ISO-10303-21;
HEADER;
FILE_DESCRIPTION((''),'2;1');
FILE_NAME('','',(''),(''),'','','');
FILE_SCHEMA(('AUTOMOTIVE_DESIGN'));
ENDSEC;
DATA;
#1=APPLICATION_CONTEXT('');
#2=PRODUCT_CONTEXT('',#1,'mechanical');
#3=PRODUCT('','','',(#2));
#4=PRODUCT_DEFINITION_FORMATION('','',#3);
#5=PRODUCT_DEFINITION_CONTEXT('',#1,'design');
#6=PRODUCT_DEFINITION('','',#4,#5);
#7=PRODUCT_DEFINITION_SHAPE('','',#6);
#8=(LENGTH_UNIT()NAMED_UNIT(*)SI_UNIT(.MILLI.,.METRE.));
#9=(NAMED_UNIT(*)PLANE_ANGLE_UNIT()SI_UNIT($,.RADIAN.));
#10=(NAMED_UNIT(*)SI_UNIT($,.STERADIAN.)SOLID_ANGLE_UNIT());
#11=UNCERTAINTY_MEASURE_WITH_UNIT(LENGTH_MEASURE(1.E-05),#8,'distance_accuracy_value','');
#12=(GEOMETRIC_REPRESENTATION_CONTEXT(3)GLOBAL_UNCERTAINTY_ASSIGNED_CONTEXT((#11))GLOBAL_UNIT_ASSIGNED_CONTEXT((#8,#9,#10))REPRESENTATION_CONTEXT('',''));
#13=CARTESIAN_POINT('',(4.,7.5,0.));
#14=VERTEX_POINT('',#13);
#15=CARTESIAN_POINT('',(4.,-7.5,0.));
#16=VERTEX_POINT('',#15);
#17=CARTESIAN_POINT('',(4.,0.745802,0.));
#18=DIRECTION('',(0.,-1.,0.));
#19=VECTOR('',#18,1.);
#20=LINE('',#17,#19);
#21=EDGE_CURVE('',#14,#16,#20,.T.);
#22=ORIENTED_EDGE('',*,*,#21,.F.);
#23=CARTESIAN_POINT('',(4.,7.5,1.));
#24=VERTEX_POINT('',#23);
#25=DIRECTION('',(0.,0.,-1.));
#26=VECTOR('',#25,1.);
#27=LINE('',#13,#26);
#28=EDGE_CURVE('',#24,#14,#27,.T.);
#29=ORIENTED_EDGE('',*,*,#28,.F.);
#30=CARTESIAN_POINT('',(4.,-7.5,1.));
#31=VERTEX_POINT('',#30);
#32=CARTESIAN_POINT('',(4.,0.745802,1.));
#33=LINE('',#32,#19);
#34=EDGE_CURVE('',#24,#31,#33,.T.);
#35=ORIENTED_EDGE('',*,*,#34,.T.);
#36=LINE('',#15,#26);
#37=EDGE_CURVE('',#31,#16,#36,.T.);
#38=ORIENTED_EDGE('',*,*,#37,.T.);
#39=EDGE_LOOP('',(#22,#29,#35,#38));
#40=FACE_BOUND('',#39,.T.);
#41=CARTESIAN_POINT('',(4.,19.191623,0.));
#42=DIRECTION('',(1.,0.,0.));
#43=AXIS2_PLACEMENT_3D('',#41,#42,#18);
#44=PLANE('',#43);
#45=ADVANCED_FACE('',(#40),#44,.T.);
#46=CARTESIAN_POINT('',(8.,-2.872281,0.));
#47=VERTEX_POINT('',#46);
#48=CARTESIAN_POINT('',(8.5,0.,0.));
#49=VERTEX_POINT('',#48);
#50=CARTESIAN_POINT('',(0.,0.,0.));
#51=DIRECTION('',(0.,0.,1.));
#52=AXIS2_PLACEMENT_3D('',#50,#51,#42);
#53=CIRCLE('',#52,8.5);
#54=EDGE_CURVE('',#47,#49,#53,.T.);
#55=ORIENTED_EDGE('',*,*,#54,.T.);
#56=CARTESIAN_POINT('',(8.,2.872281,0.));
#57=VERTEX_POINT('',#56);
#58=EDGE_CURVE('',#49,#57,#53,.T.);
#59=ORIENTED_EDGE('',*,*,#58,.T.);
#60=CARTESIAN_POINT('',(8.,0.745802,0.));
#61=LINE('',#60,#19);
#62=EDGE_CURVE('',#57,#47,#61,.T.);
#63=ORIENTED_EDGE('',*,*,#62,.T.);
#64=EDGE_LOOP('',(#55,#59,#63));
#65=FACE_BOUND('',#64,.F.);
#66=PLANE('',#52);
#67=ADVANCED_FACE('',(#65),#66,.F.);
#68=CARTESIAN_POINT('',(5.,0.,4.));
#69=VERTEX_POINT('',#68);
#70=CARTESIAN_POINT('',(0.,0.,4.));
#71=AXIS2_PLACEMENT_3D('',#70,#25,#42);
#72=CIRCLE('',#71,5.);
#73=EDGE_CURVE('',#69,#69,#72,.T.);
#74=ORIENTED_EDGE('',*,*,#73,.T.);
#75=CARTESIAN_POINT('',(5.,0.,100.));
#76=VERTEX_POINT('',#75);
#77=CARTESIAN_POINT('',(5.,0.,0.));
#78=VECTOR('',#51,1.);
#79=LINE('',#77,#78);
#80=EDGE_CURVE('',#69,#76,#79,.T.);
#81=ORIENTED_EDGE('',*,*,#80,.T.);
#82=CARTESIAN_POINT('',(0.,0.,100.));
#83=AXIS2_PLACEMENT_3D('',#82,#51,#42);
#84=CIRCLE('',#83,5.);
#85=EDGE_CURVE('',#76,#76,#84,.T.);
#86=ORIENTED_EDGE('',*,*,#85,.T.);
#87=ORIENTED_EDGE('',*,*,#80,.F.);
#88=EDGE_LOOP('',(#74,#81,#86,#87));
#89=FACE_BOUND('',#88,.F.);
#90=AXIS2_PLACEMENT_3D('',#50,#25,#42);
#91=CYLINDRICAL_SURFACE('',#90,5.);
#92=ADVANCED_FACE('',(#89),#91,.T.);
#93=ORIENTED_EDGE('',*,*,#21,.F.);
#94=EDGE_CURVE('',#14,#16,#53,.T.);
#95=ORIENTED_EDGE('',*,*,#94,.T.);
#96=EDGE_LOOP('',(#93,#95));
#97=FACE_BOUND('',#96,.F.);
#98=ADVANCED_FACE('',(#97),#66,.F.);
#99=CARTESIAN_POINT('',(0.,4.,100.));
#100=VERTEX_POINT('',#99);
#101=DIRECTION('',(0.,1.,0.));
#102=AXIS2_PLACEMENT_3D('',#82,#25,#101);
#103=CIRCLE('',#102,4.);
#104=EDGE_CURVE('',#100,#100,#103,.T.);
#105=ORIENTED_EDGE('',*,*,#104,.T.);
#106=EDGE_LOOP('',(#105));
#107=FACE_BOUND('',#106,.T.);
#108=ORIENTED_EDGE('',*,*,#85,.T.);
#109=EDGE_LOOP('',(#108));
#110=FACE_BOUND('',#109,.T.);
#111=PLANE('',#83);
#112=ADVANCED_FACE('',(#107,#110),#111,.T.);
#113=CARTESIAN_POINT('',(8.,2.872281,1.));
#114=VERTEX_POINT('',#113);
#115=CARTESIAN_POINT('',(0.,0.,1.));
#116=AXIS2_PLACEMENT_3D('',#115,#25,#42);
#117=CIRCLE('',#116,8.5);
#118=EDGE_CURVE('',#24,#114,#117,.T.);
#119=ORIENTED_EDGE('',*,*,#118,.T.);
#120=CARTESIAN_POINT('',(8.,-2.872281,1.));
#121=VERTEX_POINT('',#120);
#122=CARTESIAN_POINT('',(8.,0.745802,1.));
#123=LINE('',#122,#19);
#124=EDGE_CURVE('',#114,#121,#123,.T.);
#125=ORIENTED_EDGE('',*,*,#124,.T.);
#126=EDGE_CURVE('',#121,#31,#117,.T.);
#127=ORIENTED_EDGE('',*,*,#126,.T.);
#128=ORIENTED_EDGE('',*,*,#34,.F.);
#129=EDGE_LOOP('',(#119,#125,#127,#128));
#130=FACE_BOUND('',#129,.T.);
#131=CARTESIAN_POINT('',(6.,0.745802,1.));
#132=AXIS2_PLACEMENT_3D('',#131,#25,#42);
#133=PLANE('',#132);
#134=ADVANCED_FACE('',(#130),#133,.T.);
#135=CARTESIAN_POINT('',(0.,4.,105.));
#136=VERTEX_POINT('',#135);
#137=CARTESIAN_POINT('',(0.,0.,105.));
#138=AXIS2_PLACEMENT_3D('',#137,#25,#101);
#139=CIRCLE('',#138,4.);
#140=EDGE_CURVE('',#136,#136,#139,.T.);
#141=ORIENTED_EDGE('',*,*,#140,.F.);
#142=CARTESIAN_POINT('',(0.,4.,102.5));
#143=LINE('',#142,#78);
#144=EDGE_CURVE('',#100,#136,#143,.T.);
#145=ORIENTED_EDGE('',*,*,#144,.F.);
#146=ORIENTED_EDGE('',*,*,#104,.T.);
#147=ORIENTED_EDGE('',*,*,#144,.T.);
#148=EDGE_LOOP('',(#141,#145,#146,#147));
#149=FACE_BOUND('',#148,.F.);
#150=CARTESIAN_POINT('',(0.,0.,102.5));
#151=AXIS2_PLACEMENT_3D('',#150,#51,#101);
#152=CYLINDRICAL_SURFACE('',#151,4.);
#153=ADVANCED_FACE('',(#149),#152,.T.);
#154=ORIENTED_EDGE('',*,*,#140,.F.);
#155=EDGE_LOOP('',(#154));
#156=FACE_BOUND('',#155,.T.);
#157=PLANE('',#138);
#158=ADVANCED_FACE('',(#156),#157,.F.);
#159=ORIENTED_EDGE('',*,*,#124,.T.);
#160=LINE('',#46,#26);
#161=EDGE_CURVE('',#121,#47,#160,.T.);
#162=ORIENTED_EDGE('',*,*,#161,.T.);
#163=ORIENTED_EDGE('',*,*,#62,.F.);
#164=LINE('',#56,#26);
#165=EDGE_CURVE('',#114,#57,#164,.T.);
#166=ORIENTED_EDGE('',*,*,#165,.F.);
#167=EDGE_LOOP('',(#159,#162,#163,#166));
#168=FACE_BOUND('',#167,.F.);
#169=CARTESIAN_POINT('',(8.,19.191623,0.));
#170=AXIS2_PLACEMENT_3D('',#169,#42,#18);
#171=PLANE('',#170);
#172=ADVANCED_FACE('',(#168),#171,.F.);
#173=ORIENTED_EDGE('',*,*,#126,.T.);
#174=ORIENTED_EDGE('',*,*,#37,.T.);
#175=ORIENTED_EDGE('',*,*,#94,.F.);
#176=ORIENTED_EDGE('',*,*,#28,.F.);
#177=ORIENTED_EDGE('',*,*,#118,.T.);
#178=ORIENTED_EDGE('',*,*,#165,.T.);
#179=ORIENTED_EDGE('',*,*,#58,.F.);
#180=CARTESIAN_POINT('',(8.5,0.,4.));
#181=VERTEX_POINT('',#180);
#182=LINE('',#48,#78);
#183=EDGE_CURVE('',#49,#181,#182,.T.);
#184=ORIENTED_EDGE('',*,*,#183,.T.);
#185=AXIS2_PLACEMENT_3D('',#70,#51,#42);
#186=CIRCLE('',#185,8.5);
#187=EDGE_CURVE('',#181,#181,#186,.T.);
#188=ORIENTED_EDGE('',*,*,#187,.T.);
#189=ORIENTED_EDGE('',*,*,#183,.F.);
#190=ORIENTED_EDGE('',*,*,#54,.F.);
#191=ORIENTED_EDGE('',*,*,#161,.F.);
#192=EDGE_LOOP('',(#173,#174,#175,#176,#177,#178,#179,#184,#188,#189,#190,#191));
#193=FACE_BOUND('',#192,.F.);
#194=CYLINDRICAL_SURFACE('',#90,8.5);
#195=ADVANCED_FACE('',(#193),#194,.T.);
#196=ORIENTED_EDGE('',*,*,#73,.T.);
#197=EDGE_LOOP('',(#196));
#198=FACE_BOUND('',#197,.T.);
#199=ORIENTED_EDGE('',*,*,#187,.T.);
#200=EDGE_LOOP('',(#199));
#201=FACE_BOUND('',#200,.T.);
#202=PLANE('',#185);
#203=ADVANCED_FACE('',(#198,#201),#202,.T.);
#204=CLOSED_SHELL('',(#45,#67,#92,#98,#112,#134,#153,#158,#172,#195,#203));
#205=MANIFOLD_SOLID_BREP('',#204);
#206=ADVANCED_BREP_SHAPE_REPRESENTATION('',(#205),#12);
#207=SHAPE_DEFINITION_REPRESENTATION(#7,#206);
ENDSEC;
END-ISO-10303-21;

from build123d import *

# Parameters (mm, degrees)
F0_R     = 8.5
F1_DEPTH = 4
F2_R     = 5
F3_DEPTH = 100
F4_W     = 4
F4_H     = 5
F6_W     = 4
F6_H     = 36.891641
F7_DEPTH = 1


with BuildPart() as f1:
    # F0 (on Top) → F1 (new body)
    with BuildSketch(Plane.XY):
        Circle(F0_R)
    extrude(amount=F1_DEPTH)

    # F2 (on Top) → F3 (join)
    with BuildSketch(Plane.XY):
        Circle(F2_R)
    extrude(amount=F3_DEPTH)

    # F4 (on Right) → F5 (revolve)
    with BuildSketch(Plane.YZ):
        with Locations((2, 102.5)):
            Rectangle(F4_W, F4_H)
    revolve(axis=Axis((0, 0, 102.5), (0, 0, -1)))

    # F6 (on face) → F7 (cut)
    with BuildSketch(Plane(origin=(0, 0, 0), x_dir=(1, 0, 0), z_dir=(0, 0, -1))):
        with Locations((6, -0.745802)):
            Rectangle(F6_W, F6_H)
    extrude(amount=-F7_DEPTH, mode=Mode.SUBTRACT)


solid = f1.part
